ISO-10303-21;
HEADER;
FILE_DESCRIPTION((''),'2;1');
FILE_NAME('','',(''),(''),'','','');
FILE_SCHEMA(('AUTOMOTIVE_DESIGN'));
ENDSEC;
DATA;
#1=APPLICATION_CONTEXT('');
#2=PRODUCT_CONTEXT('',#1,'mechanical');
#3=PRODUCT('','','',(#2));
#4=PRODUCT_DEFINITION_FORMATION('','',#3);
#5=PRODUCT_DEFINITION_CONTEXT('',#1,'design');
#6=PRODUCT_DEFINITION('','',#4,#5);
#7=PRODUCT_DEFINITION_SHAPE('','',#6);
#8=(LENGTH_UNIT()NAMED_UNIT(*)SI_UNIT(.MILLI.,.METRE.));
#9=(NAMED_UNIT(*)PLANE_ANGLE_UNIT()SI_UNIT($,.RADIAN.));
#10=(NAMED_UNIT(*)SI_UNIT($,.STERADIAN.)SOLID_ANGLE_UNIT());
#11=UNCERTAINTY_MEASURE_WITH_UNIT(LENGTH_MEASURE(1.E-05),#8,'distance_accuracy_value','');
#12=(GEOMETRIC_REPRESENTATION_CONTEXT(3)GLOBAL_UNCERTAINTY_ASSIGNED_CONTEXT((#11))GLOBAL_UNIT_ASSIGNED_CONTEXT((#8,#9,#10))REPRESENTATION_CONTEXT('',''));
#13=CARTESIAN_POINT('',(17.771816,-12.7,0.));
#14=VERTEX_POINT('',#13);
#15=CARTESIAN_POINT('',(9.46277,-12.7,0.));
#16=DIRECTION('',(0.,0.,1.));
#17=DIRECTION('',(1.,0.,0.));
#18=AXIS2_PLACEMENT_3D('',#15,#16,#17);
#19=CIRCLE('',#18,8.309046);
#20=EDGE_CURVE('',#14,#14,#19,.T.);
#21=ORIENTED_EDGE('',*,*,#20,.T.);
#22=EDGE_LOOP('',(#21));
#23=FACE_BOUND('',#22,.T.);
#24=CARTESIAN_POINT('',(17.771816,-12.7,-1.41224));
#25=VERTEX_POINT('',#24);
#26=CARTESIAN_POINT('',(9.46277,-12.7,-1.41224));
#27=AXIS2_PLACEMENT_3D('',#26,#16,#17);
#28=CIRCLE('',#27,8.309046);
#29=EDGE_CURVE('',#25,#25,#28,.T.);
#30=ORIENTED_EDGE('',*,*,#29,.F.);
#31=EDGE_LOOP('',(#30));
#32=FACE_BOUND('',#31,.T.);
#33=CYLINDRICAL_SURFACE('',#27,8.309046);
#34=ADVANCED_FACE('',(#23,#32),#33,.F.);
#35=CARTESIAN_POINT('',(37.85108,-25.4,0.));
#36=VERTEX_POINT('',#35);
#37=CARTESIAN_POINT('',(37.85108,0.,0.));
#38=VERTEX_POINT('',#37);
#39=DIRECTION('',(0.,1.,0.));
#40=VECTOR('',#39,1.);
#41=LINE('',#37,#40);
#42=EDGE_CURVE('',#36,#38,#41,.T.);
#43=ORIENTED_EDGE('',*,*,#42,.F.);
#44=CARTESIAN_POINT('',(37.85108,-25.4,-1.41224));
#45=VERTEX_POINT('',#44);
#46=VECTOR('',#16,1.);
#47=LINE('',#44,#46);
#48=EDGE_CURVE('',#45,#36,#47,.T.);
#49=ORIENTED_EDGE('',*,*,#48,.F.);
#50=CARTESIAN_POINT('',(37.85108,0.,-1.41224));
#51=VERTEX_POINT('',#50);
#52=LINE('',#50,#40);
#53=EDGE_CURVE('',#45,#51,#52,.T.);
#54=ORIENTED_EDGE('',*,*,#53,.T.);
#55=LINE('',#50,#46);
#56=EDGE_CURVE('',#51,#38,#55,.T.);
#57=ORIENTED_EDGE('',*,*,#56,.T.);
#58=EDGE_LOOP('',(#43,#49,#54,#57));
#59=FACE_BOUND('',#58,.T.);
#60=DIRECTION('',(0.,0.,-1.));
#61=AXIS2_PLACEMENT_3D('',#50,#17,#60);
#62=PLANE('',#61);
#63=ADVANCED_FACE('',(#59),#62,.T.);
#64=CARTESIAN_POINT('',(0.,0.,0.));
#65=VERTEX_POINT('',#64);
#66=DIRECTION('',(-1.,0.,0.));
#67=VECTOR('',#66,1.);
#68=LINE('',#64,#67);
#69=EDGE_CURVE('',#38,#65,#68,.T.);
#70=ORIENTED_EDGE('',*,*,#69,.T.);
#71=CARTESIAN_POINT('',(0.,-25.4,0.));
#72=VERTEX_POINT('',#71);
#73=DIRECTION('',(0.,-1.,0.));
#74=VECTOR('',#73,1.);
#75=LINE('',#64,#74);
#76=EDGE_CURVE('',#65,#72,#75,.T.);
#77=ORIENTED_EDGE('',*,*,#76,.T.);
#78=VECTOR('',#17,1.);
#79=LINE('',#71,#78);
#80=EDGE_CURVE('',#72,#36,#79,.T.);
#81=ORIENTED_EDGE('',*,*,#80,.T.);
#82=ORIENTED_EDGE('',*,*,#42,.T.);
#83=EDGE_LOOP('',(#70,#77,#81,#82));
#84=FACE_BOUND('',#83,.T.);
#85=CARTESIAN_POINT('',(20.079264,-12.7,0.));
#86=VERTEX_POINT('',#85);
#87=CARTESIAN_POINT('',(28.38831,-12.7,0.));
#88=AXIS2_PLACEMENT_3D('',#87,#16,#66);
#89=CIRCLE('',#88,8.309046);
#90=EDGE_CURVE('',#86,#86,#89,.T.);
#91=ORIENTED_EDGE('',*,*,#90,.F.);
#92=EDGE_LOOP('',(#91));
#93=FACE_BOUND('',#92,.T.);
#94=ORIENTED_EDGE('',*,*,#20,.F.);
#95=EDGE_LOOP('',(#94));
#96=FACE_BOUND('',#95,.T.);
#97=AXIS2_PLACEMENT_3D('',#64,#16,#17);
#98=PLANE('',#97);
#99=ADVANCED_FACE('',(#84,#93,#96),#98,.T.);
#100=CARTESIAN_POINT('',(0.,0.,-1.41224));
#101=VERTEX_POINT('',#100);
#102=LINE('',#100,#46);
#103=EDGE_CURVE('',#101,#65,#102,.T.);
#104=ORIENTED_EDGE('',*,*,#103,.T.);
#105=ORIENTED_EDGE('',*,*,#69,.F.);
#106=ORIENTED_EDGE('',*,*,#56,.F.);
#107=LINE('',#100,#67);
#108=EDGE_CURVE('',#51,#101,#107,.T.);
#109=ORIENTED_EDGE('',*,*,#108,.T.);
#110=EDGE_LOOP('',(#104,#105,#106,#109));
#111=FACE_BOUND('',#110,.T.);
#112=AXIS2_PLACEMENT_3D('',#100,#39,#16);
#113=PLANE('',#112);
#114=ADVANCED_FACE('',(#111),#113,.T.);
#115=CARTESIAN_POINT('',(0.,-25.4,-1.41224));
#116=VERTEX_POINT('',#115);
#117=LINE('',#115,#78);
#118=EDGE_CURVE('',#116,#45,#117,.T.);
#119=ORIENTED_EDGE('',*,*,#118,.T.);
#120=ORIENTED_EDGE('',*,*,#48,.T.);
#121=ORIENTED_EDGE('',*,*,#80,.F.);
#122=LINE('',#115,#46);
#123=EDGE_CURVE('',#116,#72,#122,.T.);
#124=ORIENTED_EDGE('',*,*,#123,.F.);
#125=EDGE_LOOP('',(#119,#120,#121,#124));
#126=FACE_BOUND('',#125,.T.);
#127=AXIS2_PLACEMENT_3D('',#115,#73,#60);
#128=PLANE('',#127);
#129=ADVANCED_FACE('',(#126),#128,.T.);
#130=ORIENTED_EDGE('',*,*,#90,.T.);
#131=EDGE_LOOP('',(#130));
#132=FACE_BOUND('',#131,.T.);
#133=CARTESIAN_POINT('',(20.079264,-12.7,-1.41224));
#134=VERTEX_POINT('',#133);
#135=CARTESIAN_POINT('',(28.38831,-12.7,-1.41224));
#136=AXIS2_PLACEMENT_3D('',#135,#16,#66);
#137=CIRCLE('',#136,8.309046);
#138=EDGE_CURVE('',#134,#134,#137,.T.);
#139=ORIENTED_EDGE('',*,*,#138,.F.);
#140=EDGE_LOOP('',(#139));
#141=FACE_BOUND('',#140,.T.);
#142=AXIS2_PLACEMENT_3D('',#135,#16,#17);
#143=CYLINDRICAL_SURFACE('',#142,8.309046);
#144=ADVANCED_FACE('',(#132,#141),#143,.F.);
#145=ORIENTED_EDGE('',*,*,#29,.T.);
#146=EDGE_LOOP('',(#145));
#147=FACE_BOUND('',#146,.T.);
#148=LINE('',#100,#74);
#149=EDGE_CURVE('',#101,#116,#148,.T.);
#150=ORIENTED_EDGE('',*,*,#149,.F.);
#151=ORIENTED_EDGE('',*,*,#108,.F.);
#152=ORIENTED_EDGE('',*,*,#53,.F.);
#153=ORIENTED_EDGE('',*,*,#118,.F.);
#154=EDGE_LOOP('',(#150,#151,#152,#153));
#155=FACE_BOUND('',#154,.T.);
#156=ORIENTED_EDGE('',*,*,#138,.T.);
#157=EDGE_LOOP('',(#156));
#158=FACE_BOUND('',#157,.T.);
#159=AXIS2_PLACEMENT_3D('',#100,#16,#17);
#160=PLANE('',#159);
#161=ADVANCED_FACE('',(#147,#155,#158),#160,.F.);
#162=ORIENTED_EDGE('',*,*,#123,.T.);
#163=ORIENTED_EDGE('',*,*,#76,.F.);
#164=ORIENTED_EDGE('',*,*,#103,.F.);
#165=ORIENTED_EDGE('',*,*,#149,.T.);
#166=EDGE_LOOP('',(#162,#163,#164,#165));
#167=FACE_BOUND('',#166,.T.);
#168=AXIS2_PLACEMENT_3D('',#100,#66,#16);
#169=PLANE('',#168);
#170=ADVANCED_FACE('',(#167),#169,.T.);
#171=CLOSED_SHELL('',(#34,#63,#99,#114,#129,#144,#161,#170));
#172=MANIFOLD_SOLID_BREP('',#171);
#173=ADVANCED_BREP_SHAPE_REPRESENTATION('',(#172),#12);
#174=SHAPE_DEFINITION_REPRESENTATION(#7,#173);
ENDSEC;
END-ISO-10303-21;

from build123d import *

# Parameters (mm, degrees)
SKETCH1_W           = 37.85108
SKETCH1_H           = 25.4
SKETCH1_R           = 8.309045905
BOSS_EXTRUDE1_DEPTH = 1.41224


with BuildPart() as part:
    # Sketch1 → Boss-Extrude1 (new body)
    with BuildSketch(Plane.XY):
        with Locations((18.92554, -12.7)):
            Rectangle(SKETCH1_W, SKETCH1_H)
        with Locations((9.46277, -12.7)):
            Circle(SKETCH1_R, mode=Mode.SUBTRACT)
        with Locations(Location((28.38831, -12.7, 0), (0, 0, 180))):
            Circle(SKETCH1_R, mode=Mode.SUBTRACT)
    extrude(amount=-BOSS_EXTRUDE1_DEPTH)


solid = part.part
